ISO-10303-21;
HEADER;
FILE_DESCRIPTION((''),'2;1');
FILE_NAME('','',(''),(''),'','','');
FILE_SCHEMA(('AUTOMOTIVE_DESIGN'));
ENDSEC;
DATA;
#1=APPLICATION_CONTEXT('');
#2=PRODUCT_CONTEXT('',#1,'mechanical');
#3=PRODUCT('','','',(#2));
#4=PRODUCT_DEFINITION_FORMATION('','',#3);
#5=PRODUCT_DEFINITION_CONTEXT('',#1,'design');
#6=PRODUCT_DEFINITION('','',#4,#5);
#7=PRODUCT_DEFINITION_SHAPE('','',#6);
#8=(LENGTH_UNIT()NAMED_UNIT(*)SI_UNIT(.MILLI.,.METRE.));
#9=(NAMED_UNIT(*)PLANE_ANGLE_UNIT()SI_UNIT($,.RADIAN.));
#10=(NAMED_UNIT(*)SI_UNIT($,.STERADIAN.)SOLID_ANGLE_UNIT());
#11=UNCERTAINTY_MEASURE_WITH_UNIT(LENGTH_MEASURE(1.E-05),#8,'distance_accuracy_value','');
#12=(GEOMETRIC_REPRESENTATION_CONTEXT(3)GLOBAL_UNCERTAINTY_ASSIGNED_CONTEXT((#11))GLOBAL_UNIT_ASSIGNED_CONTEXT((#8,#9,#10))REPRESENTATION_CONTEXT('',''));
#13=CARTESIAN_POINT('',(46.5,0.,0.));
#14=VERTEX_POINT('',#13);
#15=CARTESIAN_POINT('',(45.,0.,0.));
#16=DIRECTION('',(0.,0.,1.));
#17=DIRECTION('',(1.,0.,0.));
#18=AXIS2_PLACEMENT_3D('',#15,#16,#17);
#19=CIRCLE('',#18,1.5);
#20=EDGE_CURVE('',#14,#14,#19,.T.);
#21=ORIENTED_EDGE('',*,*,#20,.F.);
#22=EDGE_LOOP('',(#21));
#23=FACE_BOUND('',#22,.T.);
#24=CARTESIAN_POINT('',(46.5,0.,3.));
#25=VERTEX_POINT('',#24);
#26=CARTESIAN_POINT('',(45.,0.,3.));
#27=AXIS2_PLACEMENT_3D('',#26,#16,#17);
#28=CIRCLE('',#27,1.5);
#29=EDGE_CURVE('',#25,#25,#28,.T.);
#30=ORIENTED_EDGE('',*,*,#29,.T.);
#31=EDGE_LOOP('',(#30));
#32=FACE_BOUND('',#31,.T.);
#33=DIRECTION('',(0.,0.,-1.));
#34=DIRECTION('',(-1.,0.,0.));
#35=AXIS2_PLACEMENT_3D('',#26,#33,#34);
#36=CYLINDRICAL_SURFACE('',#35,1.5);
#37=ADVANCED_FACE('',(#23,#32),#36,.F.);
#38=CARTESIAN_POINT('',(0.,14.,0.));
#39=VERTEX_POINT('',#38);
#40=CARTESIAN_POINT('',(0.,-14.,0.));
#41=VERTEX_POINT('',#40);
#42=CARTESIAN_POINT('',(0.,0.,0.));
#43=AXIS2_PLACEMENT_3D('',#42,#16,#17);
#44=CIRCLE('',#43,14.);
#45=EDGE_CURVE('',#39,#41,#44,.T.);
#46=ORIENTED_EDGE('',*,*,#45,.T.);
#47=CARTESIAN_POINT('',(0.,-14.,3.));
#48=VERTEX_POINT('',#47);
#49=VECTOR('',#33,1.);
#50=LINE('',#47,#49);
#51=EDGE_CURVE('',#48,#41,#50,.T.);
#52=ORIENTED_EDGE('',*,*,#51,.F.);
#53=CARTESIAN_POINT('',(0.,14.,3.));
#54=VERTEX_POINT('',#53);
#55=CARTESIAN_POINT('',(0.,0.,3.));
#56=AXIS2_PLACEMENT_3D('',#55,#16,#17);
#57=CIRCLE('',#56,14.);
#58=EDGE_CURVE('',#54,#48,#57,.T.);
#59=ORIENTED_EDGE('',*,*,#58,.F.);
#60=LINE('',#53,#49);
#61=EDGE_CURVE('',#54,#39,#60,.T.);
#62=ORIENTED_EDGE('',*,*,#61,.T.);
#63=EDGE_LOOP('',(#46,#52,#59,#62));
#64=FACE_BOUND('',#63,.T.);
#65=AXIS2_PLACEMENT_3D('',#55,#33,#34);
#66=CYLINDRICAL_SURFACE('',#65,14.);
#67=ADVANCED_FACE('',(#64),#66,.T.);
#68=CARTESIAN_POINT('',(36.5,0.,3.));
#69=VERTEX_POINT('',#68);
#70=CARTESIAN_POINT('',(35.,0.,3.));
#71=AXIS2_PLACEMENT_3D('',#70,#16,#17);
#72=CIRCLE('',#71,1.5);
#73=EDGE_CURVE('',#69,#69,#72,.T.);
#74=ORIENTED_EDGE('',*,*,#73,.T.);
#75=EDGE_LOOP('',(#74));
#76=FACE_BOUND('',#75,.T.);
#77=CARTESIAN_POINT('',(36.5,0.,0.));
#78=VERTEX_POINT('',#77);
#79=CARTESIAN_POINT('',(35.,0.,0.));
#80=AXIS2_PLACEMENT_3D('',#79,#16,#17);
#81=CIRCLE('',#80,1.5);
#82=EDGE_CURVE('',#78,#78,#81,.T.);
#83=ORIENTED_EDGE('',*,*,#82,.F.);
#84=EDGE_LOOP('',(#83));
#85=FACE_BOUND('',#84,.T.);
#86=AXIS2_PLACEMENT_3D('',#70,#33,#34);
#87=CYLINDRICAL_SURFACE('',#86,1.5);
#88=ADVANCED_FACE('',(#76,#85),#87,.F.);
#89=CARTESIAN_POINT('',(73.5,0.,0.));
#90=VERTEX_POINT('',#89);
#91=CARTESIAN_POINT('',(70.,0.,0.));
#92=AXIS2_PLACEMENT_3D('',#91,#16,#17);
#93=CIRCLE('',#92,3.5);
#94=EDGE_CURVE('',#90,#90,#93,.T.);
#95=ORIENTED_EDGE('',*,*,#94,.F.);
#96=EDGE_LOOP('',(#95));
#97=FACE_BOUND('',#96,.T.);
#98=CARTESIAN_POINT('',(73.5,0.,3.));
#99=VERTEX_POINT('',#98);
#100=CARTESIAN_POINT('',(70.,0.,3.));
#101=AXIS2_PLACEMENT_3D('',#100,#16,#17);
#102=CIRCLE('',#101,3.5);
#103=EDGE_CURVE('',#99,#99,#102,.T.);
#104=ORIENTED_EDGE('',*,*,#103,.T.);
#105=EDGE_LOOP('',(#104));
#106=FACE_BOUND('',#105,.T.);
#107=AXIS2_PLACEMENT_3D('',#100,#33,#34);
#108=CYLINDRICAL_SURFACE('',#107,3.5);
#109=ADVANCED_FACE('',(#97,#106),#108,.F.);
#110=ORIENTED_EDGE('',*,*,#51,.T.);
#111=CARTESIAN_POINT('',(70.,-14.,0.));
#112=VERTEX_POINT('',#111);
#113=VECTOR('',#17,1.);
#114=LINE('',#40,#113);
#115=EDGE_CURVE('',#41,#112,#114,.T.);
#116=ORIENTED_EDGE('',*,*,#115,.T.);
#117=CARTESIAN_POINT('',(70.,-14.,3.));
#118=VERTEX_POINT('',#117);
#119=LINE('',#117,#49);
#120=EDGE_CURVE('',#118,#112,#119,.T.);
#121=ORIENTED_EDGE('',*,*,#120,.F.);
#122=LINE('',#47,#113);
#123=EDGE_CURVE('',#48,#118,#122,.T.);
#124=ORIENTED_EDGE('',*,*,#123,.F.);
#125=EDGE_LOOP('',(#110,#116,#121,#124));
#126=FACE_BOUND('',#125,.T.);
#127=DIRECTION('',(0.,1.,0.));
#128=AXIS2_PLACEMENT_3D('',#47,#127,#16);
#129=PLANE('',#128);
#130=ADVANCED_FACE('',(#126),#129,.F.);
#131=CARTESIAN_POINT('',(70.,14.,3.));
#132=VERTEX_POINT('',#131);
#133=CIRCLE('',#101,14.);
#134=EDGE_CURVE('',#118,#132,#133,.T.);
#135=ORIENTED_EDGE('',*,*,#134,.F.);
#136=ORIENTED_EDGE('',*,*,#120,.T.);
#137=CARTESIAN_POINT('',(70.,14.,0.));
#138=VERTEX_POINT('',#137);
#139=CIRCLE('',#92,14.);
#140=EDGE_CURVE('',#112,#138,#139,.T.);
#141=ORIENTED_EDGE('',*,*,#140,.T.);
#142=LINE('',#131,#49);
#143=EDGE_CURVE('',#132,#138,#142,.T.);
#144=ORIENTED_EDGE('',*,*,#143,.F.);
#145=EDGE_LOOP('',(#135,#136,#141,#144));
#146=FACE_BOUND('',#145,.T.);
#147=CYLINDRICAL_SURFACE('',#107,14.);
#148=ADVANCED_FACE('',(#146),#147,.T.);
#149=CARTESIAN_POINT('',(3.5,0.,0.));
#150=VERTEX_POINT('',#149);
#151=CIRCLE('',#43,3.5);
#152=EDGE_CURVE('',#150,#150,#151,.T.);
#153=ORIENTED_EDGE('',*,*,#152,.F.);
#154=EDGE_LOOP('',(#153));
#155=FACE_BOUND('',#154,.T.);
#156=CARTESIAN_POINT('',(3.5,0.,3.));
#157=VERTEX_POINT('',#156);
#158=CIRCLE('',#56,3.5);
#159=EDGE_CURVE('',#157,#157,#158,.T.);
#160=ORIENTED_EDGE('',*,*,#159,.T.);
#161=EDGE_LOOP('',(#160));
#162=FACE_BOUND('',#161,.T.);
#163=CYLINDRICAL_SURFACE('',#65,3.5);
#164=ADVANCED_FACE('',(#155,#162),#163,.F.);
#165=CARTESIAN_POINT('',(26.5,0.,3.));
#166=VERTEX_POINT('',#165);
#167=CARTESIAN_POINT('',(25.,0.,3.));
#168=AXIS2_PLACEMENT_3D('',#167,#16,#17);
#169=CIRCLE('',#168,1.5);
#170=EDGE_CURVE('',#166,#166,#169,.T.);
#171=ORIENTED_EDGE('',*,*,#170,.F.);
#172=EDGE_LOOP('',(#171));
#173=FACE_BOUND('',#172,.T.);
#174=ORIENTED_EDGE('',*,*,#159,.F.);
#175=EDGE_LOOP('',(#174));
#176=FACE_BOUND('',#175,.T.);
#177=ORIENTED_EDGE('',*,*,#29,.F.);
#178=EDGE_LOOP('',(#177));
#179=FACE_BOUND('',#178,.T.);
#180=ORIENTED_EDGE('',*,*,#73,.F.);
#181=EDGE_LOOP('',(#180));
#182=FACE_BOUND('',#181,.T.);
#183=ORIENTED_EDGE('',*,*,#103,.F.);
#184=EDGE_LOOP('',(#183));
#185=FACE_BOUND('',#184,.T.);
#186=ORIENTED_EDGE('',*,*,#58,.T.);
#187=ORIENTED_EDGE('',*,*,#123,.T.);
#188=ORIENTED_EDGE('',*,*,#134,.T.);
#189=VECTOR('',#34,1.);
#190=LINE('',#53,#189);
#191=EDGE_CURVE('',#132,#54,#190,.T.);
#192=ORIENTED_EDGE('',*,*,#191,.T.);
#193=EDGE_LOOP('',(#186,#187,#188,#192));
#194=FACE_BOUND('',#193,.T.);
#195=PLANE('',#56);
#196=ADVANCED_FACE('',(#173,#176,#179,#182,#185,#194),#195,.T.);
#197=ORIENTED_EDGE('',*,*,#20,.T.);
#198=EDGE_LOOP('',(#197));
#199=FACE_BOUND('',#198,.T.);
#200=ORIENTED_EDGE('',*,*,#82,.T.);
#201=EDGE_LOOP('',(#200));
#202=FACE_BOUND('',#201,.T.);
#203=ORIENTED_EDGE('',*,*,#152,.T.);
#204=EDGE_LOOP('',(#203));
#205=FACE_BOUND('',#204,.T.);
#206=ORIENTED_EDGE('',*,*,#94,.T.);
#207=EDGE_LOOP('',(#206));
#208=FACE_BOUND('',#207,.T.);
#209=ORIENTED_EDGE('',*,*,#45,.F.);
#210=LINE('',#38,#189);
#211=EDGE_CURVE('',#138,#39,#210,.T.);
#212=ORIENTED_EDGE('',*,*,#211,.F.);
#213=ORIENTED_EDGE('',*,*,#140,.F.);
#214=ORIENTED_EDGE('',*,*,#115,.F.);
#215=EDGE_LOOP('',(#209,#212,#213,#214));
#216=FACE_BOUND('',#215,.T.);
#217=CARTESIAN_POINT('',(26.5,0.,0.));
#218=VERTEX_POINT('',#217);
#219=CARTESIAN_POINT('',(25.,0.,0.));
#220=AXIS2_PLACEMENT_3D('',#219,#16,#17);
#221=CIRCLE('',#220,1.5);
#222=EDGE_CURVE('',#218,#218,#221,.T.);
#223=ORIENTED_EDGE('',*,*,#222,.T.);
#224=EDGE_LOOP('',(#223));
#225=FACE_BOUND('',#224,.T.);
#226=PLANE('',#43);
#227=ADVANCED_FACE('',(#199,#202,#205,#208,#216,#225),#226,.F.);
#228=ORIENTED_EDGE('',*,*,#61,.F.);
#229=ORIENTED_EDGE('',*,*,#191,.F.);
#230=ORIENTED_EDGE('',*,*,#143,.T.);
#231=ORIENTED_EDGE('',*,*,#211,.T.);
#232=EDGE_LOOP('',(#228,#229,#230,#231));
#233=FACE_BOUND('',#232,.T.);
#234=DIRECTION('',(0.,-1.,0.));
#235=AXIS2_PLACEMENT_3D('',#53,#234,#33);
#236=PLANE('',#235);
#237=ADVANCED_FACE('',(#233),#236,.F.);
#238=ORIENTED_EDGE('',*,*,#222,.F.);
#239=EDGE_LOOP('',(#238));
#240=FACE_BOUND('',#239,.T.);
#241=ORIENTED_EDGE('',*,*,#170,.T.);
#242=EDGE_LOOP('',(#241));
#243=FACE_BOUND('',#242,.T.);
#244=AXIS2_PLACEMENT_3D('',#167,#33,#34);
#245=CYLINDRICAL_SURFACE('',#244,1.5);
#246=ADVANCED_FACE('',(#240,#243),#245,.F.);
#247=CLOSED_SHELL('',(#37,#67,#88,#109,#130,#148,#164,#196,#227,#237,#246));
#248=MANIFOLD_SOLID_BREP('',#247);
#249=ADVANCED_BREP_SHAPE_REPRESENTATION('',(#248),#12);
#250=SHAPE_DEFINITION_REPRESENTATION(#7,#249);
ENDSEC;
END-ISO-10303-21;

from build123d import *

# Parameters (mm, degrees)
SKETCH1_R           = 1.5
SKETCH1_R_2         = 3.5
BOSS_EXTRUDE1_DEPTH = 3


with BuildPart() as part:
    # Sketch1 → Boss-Extrude1 (new body)
    with BuildSketch(Plane.XY):
        with BuildLine():
            Line((0, 14), (70, 14))
            ThreePointArc((70, 14), (84, 0), (70, -14))
            Line((70, -14), (0, -14))
            ThreePointArc((0, -14), (-14, 0), (0, 14))
        make_face()
        with Locations((25, 0)):
            Circle(SKETCH1_R, mode=Mode.SUBTRACT)
        Circle(SKETCH1_R_2, mode=Mode.SUBTRACT)
        with Locations((35, 0)):
            Circle(SKETCH1_R, mode=Mode.SUBTRACT)
        with Locations((45, 0)):
            Circle(SKETCH1_R, mode=Mode.SUBTRACT)
        with Locations((70, 0)):
            Circle(SKETCH1_R_2, mode=Mode.SUBTRACT)
    extrude(amount=BOSS_EXTRUDE1_DEPTH)


solid = part.part
